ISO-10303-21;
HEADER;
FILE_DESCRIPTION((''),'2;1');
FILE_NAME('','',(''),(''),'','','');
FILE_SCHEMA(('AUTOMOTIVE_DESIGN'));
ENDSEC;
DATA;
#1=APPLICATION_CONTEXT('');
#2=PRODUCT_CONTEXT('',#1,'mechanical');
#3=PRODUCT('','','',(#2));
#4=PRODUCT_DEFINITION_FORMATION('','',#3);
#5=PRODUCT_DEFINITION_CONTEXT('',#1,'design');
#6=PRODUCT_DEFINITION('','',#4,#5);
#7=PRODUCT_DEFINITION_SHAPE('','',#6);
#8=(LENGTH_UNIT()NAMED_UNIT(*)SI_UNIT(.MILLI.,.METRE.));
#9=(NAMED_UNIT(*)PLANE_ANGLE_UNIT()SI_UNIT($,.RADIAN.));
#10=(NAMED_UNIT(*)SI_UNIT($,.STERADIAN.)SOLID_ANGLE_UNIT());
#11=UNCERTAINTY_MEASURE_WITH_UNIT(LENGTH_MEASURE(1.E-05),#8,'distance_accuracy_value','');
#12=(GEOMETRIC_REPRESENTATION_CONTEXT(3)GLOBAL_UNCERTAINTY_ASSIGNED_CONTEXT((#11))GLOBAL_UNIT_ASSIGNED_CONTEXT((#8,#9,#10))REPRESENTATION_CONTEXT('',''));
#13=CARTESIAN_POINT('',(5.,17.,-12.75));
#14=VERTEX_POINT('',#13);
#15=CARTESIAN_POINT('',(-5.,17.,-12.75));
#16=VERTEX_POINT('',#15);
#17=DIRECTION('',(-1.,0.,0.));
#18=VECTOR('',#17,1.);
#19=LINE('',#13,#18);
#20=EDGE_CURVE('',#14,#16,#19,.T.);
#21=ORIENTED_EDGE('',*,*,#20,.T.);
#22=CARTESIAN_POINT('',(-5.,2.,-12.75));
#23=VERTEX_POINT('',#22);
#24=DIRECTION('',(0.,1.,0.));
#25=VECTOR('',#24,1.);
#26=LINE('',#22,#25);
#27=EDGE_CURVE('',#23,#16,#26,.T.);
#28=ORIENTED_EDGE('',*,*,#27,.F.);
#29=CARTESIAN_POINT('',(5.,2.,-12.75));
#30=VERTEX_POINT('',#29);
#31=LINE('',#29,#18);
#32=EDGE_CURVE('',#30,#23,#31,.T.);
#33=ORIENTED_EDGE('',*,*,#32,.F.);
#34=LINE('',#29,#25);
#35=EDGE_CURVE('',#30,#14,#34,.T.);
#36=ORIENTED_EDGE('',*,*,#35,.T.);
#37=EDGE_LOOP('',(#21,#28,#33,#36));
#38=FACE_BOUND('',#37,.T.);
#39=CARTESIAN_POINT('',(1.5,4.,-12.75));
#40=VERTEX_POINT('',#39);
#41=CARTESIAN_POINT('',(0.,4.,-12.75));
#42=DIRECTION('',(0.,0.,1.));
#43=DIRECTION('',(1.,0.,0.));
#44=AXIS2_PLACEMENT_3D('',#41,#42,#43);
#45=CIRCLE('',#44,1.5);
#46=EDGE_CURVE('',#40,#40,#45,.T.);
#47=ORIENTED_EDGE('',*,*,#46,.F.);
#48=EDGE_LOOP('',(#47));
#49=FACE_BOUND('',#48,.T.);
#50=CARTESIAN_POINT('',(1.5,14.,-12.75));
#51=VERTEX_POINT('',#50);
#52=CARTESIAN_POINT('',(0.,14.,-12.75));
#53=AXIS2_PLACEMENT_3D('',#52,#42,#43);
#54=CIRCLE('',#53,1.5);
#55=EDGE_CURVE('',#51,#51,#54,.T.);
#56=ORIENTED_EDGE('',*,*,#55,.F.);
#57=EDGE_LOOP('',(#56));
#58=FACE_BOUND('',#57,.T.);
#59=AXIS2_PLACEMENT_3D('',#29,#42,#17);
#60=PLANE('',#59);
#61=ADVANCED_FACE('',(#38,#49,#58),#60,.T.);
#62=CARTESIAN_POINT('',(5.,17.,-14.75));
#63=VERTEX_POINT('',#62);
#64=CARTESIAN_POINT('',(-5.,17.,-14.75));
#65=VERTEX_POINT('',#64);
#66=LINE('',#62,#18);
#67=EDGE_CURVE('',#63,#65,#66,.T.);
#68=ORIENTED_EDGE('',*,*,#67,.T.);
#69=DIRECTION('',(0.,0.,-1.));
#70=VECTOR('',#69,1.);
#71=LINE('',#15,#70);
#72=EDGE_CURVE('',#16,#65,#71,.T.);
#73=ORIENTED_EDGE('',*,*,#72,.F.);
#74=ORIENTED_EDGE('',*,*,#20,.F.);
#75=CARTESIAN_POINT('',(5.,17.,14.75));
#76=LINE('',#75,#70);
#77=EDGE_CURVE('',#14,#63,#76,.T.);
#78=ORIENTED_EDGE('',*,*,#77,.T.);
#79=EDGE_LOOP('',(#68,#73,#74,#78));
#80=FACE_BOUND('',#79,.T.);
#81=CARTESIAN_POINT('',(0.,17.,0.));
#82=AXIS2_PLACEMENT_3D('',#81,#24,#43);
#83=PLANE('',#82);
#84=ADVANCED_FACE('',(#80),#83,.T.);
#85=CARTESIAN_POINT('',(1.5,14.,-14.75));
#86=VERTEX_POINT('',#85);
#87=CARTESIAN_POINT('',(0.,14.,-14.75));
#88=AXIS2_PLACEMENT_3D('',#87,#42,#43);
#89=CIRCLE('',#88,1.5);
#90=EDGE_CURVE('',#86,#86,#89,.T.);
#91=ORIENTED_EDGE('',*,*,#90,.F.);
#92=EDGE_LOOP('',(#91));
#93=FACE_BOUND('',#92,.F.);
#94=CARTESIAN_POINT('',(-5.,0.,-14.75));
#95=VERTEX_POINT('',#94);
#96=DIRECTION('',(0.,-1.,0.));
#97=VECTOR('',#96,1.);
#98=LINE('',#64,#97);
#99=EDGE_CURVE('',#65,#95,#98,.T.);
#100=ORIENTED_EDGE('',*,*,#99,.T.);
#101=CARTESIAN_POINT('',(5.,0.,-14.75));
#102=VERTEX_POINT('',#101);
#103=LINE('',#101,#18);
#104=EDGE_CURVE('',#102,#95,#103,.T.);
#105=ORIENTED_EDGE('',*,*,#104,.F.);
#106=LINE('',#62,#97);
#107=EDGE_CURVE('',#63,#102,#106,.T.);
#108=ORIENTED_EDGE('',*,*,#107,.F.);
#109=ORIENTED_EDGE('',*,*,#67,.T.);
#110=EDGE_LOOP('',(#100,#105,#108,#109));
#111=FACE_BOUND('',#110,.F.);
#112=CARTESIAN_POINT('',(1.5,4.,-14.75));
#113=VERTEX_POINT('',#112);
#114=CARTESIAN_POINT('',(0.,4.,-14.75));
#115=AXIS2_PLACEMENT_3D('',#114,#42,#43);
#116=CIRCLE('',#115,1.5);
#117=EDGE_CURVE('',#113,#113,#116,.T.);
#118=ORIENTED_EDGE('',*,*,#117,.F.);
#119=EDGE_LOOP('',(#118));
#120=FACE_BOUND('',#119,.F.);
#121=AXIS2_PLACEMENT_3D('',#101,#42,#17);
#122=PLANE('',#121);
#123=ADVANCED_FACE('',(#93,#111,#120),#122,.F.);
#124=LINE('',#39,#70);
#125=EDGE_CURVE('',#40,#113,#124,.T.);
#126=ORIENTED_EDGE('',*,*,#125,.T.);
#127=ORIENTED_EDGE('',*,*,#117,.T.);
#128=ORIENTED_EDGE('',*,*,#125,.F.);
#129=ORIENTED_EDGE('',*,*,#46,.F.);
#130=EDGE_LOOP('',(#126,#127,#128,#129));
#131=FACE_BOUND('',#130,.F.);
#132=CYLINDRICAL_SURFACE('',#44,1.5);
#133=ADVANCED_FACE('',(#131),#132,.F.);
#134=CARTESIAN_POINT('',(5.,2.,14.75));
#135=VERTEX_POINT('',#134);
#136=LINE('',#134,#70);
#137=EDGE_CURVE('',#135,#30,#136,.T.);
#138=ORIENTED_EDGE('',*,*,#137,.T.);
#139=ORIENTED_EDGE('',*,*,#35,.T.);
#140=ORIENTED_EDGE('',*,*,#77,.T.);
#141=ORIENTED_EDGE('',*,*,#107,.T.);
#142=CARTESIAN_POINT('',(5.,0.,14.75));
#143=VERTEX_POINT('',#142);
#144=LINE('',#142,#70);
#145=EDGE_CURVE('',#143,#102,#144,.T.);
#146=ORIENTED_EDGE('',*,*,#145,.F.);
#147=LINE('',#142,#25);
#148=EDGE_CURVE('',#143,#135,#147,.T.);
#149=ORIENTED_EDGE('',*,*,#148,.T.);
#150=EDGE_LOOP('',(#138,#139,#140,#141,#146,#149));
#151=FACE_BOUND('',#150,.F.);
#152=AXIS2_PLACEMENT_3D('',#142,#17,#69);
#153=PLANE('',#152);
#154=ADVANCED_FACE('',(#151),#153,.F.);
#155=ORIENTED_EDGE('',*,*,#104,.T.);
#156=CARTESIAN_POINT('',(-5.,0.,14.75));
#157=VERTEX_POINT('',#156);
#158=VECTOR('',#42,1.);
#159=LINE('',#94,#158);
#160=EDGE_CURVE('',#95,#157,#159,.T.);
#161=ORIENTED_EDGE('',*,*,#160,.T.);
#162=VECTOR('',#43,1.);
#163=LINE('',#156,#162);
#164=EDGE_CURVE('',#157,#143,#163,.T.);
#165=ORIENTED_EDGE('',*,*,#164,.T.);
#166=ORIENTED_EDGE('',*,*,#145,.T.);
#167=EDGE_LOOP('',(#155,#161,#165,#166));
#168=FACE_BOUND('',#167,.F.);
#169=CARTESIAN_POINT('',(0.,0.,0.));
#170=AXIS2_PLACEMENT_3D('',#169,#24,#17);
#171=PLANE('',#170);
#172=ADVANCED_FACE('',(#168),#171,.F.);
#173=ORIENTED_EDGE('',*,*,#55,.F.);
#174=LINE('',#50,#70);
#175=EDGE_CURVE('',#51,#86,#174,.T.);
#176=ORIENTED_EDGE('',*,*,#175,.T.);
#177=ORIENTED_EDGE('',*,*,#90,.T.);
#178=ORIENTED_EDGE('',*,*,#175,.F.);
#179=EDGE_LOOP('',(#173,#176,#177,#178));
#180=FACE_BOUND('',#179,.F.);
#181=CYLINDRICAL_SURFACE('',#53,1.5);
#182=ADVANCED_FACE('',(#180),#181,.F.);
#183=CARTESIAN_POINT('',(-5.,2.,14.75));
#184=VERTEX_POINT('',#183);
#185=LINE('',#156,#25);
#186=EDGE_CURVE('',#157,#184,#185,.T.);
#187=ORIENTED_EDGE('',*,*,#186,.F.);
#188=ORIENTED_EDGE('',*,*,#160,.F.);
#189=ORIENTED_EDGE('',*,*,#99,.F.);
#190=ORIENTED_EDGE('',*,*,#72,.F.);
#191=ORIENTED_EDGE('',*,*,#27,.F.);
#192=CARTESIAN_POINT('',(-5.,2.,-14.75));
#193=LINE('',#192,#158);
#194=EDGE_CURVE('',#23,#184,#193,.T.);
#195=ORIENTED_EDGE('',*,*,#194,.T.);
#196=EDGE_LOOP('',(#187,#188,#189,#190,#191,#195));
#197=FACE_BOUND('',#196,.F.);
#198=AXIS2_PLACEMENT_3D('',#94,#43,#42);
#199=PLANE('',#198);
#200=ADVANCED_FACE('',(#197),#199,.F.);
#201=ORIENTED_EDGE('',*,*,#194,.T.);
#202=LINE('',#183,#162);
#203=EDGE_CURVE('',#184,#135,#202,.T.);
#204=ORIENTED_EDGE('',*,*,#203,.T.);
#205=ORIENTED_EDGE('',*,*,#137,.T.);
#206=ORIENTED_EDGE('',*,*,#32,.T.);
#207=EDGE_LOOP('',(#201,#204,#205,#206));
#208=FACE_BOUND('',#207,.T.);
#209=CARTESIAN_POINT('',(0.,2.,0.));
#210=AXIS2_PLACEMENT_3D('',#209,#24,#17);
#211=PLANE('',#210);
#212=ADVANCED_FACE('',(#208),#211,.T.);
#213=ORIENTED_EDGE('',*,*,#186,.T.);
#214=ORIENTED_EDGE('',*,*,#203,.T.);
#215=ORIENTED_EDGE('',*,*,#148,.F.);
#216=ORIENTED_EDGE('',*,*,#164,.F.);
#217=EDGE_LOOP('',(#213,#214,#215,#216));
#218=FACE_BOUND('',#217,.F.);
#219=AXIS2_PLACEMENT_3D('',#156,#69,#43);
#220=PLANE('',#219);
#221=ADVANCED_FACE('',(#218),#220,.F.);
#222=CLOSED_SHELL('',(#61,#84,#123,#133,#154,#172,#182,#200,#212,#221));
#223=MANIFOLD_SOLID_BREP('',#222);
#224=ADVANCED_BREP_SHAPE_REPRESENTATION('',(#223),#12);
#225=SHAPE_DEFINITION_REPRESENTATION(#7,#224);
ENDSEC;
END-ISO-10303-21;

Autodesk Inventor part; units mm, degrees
ref_plane "YZ Plane" through (0, 0, 0) normal (1, 0, 0) x (0, 1, 0)
ref_plane "XZ Plane" through (0, 0, 0) normal (0, 1, 0) x (-1, 0, 0)
ref_plane "XY Plane" through (0, 0, 0) normal (0, 0, 1) x (1, 0, 0)
sketch "Sketch1" plane through (0, 0, 0) normal (0, 1, 0) x (-1, 0, 0)
  line L0 (5, 14.75) -> (-5, 14.75)
  line L1 (-5, 14.75) -> (-5, -14.75)
  line L2 (-5, -14.75) -> (5, -14.75)
  line L3 (5, -14.75) -> (5, 14.75)
  line L4 (5, 14.75) -> (-5, -14.75) construction
  line L5 (-5, 14.75) -> (5, -14.75) construction
  point P0 (0, 0)
  dimension "d0" = 10
  dimension "d1" = 29.5
extrude "Extrusion1" add sketch "Sketch1" along normal blind 2
sketch "Sketch2" plane through (0, 2, 0) normal (0, 1, 0) x (1, 0, 0)
  line L0 (5, 14.75) -> (-5, 14.75) projected
  line L1 (5, -14.75) -> (5, 14.75) projected
  line L2 (-5, 14.75) -> (5, 14.75)
  line L3 (5, 14.75) -> (5, 12.75)
  line L4 (5, 12.75) -> (-5, 12.75)
  line L5 (-5, 12.75) -> (-5, 14.75)
  point P0 (0, 0)
  dimension "d4" = 2
extrude "Extrusion2" add sketch "Sketch2" along normal blind 15
sketch "Sketch3" plane through (-5, 2, -12.75) normal (0, 0, 1) x (1, 0, 0)
  circle A0 centre (5, 12) radius 1.5
  circle A1 centre (5, 2) radius 1.5
  line L0 (0, 0) -> (10, 0) projected
  point P0 (5, -2)
  dimension "d7" = 3
  dimension "d8" = 3
  dimension "d9" = 2
  dimension "d10" = 10
extrude "Extrusion3" cut sketch "Sketch3" against normal blind 15
properties part number "Bracket Lifter Motor 2"
